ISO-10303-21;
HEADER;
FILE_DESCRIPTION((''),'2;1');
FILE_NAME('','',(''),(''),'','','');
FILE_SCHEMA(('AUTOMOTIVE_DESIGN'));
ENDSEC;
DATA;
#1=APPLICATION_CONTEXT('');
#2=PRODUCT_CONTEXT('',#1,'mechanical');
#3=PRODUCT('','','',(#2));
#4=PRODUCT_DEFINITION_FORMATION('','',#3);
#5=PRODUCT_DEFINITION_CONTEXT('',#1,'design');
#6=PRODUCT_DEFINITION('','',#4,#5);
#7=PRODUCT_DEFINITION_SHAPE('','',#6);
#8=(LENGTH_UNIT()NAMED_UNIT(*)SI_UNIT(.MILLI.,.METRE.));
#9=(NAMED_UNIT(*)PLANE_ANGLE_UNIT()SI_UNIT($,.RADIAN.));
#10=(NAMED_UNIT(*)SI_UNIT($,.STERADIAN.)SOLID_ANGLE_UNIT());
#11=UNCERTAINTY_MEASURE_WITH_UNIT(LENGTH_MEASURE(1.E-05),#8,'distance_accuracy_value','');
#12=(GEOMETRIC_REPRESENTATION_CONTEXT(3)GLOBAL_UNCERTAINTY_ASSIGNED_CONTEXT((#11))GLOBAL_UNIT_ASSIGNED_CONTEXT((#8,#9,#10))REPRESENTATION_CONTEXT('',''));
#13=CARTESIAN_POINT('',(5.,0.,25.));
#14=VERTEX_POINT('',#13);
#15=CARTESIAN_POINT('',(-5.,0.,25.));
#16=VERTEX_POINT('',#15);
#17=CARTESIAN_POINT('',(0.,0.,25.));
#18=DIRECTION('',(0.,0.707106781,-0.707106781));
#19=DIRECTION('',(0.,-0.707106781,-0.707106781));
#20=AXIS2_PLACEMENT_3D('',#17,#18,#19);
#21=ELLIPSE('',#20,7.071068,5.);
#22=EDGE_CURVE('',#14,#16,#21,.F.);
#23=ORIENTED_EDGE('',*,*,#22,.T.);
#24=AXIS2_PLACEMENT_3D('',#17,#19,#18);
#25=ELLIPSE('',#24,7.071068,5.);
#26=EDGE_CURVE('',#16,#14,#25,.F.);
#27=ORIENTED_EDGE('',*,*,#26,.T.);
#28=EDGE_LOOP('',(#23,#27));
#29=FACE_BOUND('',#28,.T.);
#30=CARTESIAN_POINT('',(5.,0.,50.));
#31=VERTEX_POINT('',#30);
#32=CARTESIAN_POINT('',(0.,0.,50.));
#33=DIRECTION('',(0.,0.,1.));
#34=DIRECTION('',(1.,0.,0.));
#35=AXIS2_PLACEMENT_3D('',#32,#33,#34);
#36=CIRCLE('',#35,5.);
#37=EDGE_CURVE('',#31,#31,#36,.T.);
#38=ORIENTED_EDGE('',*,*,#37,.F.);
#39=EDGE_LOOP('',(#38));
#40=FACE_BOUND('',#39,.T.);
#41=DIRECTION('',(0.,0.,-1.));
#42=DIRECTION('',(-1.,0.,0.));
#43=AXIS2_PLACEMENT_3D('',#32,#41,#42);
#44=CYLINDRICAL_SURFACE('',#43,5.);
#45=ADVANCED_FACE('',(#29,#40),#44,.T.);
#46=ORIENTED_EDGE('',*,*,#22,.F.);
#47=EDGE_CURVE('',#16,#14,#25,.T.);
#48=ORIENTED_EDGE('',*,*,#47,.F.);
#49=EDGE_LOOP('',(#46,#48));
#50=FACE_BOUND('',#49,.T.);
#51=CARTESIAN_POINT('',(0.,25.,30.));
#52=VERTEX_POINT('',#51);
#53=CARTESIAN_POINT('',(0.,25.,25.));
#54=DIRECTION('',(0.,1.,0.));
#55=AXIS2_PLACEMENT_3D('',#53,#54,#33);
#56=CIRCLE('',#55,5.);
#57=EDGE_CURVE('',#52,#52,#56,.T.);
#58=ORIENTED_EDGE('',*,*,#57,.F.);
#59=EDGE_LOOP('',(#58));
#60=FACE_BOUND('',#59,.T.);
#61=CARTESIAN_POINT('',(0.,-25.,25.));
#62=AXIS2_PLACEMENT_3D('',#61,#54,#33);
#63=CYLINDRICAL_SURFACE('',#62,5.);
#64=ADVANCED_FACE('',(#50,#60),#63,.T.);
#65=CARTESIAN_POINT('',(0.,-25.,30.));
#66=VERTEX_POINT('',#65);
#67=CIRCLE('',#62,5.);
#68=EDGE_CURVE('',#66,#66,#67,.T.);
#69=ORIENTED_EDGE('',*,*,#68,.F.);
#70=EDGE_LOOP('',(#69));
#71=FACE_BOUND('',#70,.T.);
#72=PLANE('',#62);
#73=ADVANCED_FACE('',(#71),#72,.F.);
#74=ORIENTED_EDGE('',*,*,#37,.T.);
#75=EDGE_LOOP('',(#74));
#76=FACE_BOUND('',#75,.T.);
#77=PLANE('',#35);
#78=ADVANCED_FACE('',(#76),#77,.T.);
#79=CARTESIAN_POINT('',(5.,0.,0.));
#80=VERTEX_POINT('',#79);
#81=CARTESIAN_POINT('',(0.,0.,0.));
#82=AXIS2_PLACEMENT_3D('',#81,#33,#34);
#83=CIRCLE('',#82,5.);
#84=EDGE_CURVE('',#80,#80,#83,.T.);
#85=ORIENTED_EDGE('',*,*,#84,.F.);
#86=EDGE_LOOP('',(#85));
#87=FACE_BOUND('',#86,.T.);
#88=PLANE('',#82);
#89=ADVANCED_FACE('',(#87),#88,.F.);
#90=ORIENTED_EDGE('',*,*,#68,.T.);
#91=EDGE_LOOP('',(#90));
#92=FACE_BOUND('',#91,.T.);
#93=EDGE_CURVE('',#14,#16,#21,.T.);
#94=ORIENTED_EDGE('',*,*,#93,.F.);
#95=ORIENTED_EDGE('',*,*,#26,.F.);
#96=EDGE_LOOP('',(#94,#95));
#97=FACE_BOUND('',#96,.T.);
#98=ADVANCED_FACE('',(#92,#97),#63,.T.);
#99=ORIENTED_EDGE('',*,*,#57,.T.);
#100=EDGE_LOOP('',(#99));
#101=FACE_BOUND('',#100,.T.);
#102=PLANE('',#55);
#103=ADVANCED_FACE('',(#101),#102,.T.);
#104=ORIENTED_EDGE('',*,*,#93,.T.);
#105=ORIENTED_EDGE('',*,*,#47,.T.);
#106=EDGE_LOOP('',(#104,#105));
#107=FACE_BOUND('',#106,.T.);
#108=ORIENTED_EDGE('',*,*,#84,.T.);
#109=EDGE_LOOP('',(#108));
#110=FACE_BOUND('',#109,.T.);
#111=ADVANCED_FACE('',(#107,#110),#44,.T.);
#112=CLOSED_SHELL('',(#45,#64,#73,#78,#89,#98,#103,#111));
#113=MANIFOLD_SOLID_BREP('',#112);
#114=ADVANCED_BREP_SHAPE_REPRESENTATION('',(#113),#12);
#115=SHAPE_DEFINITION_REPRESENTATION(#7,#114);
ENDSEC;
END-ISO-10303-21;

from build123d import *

# Parameters (mm, degrees)
SKETCH2_R           = 5
BOSS_EXTRUDE1_DEPTH = 50
SKETCH5_R           = 5
BOSS_EXTRUDE2_DEPTH = 50


with BuildPart() as part:
    # Sketch2 → Boss-Extrude1 (new body)
    with BuildSketch(Plane.XY):
        Circle(SKETCH2_R)
    extrude(amount=BOSS_EXTRUDE1_DEPTH)

    # Sketch5 → Boss-Extrude2 (add)
    with BuildSketch(Plane(origin=(0, 25, 0), x_dir=(1, 0, 0), z_dir=(0, 1, 0))):
        with Locations((0, -25)):
            Circle(SKETCH5_R)
    extrude(amount=-BOSS_EXTRUDE2_DEPTH)


solid = part.part
